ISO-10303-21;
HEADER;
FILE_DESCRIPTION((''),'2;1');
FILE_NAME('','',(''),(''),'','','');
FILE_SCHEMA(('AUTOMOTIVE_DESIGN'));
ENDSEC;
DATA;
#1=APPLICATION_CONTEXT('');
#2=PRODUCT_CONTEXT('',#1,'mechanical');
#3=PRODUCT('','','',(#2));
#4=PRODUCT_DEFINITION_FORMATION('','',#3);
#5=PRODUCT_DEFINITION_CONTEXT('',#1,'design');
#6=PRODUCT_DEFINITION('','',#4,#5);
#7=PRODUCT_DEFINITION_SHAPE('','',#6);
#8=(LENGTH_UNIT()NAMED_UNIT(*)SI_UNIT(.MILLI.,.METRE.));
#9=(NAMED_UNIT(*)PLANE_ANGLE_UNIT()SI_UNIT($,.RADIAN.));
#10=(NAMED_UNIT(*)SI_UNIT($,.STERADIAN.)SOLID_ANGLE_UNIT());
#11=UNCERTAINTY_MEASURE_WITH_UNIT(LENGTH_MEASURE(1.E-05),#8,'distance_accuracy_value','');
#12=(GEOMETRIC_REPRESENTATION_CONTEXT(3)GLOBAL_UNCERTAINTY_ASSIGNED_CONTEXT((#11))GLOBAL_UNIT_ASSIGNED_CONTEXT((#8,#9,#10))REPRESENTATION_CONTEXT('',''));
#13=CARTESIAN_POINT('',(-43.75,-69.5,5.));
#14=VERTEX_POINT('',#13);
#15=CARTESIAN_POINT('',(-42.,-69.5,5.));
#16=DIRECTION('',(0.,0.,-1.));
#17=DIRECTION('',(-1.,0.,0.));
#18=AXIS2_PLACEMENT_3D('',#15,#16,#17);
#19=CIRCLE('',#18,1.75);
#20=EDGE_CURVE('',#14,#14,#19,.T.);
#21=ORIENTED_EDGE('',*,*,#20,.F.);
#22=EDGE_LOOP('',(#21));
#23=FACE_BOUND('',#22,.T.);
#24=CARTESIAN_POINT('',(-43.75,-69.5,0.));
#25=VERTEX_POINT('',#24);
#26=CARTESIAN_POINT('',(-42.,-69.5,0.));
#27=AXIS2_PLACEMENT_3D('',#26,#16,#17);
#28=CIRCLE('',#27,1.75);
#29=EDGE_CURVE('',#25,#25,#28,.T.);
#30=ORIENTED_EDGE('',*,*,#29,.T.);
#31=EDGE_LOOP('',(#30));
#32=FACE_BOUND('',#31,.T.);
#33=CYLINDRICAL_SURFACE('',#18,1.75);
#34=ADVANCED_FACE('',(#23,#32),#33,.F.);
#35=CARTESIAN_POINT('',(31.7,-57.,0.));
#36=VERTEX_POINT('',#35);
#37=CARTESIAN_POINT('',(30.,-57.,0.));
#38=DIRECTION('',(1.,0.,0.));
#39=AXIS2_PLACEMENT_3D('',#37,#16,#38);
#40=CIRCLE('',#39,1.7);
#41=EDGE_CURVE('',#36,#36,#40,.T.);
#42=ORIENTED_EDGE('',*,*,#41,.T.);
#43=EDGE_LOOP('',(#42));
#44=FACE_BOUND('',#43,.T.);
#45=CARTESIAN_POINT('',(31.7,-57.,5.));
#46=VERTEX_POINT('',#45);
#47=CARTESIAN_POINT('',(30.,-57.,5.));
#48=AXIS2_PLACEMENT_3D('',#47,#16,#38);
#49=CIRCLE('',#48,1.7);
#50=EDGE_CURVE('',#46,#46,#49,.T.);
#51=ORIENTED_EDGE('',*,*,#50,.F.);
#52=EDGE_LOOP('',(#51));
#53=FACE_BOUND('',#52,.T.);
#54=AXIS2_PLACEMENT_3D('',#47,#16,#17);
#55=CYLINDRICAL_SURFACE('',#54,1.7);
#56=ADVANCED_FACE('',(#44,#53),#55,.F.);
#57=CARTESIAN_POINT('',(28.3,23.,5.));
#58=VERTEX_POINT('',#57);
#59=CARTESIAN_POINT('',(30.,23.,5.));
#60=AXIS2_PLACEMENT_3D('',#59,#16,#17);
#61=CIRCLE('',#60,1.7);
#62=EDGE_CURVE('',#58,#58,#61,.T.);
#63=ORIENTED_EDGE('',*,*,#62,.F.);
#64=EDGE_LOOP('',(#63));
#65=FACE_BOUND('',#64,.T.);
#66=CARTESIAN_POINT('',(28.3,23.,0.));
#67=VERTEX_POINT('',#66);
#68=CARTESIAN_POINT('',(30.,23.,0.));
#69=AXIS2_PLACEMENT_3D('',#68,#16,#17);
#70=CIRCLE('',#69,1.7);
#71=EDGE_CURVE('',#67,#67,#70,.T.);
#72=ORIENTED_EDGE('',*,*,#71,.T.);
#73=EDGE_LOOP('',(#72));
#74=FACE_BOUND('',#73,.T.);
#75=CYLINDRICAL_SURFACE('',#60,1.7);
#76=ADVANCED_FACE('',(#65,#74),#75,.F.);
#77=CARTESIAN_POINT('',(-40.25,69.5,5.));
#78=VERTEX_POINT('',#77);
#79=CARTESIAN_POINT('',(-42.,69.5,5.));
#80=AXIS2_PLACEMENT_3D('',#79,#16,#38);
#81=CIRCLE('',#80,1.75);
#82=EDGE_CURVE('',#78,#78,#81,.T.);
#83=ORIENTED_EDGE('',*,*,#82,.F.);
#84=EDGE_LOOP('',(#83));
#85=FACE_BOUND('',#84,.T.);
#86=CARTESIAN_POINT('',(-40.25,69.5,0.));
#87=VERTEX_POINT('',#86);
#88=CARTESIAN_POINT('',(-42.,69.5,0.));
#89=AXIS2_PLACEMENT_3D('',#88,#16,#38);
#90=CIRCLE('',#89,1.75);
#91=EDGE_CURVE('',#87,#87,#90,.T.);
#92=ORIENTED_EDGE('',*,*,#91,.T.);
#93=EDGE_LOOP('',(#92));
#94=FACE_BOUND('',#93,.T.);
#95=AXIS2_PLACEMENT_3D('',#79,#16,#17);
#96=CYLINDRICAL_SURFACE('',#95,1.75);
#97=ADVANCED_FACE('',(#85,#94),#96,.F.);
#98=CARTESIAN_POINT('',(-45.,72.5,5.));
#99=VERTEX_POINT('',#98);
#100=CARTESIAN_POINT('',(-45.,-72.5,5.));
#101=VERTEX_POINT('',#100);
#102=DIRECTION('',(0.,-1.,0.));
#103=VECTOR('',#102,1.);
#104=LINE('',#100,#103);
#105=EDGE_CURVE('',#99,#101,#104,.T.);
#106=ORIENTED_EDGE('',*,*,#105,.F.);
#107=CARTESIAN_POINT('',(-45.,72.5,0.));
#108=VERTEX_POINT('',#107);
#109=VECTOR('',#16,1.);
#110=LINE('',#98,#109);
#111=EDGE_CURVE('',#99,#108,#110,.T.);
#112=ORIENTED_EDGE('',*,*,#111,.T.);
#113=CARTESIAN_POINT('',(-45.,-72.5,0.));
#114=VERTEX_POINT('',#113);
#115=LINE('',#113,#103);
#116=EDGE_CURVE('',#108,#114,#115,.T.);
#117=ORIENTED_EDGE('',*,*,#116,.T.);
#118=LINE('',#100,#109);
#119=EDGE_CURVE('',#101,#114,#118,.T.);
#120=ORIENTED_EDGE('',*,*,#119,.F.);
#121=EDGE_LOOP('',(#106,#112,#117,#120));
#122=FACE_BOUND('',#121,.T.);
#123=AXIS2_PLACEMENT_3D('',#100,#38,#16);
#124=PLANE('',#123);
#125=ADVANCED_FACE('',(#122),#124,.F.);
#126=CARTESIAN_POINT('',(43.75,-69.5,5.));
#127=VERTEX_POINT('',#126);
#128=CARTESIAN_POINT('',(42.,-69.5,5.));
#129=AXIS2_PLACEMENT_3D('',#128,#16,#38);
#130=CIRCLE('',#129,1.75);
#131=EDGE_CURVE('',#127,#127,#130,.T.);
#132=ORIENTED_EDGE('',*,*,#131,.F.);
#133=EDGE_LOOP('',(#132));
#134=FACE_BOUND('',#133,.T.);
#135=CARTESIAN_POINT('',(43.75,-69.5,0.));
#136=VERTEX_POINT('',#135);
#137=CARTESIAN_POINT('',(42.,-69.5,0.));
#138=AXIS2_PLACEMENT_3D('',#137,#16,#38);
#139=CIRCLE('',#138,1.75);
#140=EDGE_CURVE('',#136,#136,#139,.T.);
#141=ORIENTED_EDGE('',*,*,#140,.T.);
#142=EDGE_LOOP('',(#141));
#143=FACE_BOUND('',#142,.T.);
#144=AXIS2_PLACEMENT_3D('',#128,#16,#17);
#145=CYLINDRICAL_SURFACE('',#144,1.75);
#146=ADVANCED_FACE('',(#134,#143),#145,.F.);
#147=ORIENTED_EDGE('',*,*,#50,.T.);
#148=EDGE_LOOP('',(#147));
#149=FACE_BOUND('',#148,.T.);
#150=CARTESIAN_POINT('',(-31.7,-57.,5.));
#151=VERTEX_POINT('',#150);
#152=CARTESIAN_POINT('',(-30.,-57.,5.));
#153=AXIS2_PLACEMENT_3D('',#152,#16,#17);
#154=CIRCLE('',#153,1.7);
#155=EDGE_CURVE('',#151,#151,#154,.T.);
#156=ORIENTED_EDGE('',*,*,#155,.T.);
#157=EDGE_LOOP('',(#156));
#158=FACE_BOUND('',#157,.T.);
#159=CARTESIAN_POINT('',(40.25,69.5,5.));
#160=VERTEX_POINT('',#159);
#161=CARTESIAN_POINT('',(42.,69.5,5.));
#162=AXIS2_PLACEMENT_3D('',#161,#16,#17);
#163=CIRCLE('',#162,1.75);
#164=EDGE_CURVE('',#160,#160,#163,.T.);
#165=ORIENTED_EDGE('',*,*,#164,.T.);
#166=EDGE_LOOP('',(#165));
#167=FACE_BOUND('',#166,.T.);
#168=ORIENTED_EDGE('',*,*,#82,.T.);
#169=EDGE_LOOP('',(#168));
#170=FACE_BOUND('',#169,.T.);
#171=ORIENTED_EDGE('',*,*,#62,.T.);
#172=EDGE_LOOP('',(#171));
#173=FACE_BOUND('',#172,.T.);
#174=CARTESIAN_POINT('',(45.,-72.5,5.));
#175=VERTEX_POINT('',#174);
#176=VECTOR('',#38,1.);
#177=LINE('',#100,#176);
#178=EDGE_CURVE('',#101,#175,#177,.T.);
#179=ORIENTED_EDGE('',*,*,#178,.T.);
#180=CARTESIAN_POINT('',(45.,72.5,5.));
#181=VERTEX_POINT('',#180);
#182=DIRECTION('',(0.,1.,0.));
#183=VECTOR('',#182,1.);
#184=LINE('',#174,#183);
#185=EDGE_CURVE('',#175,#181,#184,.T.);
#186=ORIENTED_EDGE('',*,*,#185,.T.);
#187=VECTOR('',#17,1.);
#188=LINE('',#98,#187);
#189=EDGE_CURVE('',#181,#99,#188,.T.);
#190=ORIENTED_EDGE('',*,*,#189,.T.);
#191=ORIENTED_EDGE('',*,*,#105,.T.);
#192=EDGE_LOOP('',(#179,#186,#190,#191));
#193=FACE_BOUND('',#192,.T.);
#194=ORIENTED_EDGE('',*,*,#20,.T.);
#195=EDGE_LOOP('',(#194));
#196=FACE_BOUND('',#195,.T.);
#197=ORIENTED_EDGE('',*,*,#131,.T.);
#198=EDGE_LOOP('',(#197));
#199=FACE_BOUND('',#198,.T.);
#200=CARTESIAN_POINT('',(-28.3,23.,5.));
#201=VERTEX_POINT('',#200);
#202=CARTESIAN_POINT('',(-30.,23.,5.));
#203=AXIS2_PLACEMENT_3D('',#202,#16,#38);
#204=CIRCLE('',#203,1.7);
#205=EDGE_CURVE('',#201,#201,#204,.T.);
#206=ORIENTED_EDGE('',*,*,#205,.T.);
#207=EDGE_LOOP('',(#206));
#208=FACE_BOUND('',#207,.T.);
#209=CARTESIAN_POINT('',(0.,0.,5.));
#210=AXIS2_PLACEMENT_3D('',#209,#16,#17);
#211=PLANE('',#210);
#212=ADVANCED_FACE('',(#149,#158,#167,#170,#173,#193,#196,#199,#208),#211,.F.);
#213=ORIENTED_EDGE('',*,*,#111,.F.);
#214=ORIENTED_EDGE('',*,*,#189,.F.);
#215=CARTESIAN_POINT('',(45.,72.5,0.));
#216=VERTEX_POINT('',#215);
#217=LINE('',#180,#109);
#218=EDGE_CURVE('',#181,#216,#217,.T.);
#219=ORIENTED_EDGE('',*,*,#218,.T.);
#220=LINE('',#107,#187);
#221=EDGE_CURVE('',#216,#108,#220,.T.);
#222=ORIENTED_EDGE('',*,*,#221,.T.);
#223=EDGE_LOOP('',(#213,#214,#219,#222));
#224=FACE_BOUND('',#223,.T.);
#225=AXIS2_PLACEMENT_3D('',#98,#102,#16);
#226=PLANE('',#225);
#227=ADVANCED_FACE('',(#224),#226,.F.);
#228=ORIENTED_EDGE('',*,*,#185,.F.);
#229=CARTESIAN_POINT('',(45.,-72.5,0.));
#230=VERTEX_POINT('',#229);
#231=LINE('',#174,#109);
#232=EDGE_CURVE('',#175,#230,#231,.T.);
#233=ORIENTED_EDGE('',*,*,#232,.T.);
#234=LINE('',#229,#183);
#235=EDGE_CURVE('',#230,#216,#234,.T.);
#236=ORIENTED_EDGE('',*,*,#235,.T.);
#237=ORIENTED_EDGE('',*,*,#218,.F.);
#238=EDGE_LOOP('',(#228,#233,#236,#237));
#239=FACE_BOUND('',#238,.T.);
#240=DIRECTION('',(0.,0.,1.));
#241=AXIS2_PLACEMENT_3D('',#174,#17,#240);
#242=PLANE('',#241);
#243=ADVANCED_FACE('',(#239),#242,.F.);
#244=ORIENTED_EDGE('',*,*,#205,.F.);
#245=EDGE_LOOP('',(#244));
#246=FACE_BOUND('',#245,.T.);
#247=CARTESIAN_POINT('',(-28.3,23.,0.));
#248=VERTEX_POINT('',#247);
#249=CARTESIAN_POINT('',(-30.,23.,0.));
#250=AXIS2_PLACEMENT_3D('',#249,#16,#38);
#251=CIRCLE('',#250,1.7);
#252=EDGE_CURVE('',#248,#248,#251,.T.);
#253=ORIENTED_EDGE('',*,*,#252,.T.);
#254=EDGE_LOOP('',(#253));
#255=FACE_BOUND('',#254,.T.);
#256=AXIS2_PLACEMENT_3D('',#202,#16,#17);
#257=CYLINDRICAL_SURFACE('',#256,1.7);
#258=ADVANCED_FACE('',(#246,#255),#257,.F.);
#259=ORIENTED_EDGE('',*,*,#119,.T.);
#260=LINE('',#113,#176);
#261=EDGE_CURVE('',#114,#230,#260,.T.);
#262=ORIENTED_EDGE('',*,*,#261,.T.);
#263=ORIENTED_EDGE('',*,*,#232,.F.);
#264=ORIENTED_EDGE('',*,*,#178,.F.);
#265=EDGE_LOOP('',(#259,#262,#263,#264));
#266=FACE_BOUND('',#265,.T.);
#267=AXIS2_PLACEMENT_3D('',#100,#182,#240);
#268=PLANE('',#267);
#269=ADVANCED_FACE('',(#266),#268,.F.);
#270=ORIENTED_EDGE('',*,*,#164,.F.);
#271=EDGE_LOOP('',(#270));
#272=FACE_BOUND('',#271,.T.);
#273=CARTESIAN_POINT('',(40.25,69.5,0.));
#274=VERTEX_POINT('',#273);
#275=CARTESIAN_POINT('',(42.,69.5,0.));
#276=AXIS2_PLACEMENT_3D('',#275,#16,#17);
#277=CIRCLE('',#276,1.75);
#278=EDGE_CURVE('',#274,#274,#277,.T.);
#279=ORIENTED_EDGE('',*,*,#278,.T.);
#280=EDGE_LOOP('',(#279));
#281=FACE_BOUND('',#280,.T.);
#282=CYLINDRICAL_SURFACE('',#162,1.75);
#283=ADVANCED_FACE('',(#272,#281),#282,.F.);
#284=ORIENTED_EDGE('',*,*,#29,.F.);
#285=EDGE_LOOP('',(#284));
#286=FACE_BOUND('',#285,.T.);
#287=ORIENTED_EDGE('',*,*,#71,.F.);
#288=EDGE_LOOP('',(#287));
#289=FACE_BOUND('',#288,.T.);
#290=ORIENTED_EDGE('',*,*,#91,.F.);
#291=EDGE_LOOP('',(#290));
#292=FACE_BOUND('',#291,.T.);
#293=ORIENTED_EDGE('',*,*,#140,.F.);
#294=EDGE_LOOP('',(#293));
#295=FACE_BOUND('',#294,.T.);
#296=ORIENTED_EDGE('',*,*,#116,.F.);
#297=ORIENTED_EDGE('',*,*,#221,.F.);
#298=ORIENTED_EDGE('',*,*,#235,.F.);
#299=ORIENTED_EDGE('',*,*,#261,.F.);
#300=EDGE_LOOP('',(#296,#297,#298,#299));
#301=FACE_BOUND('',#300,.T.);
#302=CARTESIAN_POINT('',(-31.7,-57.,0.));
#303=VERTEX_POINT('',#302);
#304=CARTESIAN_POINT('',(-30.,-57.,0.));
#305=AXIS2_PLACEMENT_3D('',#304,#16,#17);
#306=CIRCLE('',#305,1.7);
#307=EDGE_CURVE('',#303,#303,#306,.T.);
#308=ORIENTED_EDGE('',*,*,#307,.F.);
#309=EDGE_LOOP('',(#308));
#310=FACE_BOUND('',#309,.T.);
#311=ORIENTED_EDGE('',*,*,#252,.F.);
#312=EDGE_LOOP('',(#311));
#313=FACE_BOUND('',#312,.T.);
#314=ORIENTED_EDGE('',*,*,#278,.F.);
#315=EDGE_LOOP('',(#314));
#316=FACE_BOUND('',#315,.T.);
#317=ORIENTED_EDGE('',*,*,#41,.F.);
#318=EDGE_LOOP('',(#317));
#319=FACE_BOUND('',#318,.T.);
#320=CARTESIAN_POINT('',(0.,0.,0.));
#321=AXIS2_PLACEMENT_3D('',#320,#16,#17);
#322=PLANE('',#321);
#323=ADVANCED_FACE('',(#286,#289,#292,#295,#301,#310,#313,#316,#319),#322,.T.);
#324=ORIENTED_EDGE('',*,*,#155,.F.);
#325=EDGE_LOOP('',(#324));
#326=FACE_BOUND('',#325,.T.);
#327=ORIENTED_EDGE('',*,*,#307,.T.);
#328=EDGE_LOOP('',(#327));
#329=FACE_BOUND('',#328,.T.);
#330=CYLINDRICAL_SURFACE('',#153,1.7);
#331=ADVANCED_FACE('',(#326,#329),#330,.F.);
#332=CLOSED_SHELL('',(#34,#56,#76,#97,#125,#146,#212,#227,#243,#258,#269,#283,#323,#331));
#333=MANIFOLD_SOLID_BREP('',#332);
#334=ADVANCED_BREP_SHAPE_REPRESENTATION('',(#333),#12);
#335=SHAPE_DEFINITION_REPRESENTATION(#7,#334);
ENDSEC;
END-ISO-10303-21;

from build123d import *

# Parameters (mm, degrees)
SKETCH1_W           = 90
SKETCH1_H           = 145
BOSS_EXTRUDE1_DEPTH = 5
SKETCH2_R           = 1.75
CUT_EXTRUDE1_DEPTH  = 86.476604986
SKETCH3_R           = 1.7
CUT_EXTRUDE2_DEPTH  = 86.476604986


with BuildPart() as part:
    # Sketch1 → Boss-Extrude1 (new body)
    with BuildSketch(Plane.XY):
        Rectangle(SKETCH1_W, SKETCH1_H)
    extrude(amount=BOSS_EXTRUDE1_DEPTH)

    # Sketch2 → Cut-Extrude1 (cut, through all)
    with BuildSketch(Plane(origin=(0, 0, 0), x_dir=(-1, 0, 0), z_dir=(0, 0, -1))):
        with Locations((-42, 69.5)):
            Circle(SKETCH2_R)
        with Locations(Location((-42, -69.5, 0), (0, 0, 180))):
            Circle(SKETCH2_R)
        with Locations(Location((42, 69.5, 0), (0, 0, 180))):
            Circle(SKETCH2_R)
        with Locations((42, -69.5)):
            Circle(SKETCH2_R)
    extrude(amount=-CUT_EXTRUDE1_DEPTH, mode=Mode.SUBTRACT)

    # Sketch3 → Cut-Extrude2 (cut, through all)
    with BuildSketch(Plane(origin=(0, 0, 0), x_dir=(-1, 0, 0), z_dir=(0, 0, -1))):
        with Locations((-30, 23)):
            Circle(SKETCH3_R)
        with Locations(Location((30, 23, 0), (0, 0, 180))):
            Circle(SKETCH3_R)
        with Locations((30, -57)):
            Circle(SKETCH3_R)
        with Locations(Location((-30, -57, 0), (0, 0, 180))):
            Circle(SKETCH3_R)
    extrude(amount=-CUT_EXTRUDE2_DEPTH, mode=Mode.SUBTRACT)


solid = part.part
